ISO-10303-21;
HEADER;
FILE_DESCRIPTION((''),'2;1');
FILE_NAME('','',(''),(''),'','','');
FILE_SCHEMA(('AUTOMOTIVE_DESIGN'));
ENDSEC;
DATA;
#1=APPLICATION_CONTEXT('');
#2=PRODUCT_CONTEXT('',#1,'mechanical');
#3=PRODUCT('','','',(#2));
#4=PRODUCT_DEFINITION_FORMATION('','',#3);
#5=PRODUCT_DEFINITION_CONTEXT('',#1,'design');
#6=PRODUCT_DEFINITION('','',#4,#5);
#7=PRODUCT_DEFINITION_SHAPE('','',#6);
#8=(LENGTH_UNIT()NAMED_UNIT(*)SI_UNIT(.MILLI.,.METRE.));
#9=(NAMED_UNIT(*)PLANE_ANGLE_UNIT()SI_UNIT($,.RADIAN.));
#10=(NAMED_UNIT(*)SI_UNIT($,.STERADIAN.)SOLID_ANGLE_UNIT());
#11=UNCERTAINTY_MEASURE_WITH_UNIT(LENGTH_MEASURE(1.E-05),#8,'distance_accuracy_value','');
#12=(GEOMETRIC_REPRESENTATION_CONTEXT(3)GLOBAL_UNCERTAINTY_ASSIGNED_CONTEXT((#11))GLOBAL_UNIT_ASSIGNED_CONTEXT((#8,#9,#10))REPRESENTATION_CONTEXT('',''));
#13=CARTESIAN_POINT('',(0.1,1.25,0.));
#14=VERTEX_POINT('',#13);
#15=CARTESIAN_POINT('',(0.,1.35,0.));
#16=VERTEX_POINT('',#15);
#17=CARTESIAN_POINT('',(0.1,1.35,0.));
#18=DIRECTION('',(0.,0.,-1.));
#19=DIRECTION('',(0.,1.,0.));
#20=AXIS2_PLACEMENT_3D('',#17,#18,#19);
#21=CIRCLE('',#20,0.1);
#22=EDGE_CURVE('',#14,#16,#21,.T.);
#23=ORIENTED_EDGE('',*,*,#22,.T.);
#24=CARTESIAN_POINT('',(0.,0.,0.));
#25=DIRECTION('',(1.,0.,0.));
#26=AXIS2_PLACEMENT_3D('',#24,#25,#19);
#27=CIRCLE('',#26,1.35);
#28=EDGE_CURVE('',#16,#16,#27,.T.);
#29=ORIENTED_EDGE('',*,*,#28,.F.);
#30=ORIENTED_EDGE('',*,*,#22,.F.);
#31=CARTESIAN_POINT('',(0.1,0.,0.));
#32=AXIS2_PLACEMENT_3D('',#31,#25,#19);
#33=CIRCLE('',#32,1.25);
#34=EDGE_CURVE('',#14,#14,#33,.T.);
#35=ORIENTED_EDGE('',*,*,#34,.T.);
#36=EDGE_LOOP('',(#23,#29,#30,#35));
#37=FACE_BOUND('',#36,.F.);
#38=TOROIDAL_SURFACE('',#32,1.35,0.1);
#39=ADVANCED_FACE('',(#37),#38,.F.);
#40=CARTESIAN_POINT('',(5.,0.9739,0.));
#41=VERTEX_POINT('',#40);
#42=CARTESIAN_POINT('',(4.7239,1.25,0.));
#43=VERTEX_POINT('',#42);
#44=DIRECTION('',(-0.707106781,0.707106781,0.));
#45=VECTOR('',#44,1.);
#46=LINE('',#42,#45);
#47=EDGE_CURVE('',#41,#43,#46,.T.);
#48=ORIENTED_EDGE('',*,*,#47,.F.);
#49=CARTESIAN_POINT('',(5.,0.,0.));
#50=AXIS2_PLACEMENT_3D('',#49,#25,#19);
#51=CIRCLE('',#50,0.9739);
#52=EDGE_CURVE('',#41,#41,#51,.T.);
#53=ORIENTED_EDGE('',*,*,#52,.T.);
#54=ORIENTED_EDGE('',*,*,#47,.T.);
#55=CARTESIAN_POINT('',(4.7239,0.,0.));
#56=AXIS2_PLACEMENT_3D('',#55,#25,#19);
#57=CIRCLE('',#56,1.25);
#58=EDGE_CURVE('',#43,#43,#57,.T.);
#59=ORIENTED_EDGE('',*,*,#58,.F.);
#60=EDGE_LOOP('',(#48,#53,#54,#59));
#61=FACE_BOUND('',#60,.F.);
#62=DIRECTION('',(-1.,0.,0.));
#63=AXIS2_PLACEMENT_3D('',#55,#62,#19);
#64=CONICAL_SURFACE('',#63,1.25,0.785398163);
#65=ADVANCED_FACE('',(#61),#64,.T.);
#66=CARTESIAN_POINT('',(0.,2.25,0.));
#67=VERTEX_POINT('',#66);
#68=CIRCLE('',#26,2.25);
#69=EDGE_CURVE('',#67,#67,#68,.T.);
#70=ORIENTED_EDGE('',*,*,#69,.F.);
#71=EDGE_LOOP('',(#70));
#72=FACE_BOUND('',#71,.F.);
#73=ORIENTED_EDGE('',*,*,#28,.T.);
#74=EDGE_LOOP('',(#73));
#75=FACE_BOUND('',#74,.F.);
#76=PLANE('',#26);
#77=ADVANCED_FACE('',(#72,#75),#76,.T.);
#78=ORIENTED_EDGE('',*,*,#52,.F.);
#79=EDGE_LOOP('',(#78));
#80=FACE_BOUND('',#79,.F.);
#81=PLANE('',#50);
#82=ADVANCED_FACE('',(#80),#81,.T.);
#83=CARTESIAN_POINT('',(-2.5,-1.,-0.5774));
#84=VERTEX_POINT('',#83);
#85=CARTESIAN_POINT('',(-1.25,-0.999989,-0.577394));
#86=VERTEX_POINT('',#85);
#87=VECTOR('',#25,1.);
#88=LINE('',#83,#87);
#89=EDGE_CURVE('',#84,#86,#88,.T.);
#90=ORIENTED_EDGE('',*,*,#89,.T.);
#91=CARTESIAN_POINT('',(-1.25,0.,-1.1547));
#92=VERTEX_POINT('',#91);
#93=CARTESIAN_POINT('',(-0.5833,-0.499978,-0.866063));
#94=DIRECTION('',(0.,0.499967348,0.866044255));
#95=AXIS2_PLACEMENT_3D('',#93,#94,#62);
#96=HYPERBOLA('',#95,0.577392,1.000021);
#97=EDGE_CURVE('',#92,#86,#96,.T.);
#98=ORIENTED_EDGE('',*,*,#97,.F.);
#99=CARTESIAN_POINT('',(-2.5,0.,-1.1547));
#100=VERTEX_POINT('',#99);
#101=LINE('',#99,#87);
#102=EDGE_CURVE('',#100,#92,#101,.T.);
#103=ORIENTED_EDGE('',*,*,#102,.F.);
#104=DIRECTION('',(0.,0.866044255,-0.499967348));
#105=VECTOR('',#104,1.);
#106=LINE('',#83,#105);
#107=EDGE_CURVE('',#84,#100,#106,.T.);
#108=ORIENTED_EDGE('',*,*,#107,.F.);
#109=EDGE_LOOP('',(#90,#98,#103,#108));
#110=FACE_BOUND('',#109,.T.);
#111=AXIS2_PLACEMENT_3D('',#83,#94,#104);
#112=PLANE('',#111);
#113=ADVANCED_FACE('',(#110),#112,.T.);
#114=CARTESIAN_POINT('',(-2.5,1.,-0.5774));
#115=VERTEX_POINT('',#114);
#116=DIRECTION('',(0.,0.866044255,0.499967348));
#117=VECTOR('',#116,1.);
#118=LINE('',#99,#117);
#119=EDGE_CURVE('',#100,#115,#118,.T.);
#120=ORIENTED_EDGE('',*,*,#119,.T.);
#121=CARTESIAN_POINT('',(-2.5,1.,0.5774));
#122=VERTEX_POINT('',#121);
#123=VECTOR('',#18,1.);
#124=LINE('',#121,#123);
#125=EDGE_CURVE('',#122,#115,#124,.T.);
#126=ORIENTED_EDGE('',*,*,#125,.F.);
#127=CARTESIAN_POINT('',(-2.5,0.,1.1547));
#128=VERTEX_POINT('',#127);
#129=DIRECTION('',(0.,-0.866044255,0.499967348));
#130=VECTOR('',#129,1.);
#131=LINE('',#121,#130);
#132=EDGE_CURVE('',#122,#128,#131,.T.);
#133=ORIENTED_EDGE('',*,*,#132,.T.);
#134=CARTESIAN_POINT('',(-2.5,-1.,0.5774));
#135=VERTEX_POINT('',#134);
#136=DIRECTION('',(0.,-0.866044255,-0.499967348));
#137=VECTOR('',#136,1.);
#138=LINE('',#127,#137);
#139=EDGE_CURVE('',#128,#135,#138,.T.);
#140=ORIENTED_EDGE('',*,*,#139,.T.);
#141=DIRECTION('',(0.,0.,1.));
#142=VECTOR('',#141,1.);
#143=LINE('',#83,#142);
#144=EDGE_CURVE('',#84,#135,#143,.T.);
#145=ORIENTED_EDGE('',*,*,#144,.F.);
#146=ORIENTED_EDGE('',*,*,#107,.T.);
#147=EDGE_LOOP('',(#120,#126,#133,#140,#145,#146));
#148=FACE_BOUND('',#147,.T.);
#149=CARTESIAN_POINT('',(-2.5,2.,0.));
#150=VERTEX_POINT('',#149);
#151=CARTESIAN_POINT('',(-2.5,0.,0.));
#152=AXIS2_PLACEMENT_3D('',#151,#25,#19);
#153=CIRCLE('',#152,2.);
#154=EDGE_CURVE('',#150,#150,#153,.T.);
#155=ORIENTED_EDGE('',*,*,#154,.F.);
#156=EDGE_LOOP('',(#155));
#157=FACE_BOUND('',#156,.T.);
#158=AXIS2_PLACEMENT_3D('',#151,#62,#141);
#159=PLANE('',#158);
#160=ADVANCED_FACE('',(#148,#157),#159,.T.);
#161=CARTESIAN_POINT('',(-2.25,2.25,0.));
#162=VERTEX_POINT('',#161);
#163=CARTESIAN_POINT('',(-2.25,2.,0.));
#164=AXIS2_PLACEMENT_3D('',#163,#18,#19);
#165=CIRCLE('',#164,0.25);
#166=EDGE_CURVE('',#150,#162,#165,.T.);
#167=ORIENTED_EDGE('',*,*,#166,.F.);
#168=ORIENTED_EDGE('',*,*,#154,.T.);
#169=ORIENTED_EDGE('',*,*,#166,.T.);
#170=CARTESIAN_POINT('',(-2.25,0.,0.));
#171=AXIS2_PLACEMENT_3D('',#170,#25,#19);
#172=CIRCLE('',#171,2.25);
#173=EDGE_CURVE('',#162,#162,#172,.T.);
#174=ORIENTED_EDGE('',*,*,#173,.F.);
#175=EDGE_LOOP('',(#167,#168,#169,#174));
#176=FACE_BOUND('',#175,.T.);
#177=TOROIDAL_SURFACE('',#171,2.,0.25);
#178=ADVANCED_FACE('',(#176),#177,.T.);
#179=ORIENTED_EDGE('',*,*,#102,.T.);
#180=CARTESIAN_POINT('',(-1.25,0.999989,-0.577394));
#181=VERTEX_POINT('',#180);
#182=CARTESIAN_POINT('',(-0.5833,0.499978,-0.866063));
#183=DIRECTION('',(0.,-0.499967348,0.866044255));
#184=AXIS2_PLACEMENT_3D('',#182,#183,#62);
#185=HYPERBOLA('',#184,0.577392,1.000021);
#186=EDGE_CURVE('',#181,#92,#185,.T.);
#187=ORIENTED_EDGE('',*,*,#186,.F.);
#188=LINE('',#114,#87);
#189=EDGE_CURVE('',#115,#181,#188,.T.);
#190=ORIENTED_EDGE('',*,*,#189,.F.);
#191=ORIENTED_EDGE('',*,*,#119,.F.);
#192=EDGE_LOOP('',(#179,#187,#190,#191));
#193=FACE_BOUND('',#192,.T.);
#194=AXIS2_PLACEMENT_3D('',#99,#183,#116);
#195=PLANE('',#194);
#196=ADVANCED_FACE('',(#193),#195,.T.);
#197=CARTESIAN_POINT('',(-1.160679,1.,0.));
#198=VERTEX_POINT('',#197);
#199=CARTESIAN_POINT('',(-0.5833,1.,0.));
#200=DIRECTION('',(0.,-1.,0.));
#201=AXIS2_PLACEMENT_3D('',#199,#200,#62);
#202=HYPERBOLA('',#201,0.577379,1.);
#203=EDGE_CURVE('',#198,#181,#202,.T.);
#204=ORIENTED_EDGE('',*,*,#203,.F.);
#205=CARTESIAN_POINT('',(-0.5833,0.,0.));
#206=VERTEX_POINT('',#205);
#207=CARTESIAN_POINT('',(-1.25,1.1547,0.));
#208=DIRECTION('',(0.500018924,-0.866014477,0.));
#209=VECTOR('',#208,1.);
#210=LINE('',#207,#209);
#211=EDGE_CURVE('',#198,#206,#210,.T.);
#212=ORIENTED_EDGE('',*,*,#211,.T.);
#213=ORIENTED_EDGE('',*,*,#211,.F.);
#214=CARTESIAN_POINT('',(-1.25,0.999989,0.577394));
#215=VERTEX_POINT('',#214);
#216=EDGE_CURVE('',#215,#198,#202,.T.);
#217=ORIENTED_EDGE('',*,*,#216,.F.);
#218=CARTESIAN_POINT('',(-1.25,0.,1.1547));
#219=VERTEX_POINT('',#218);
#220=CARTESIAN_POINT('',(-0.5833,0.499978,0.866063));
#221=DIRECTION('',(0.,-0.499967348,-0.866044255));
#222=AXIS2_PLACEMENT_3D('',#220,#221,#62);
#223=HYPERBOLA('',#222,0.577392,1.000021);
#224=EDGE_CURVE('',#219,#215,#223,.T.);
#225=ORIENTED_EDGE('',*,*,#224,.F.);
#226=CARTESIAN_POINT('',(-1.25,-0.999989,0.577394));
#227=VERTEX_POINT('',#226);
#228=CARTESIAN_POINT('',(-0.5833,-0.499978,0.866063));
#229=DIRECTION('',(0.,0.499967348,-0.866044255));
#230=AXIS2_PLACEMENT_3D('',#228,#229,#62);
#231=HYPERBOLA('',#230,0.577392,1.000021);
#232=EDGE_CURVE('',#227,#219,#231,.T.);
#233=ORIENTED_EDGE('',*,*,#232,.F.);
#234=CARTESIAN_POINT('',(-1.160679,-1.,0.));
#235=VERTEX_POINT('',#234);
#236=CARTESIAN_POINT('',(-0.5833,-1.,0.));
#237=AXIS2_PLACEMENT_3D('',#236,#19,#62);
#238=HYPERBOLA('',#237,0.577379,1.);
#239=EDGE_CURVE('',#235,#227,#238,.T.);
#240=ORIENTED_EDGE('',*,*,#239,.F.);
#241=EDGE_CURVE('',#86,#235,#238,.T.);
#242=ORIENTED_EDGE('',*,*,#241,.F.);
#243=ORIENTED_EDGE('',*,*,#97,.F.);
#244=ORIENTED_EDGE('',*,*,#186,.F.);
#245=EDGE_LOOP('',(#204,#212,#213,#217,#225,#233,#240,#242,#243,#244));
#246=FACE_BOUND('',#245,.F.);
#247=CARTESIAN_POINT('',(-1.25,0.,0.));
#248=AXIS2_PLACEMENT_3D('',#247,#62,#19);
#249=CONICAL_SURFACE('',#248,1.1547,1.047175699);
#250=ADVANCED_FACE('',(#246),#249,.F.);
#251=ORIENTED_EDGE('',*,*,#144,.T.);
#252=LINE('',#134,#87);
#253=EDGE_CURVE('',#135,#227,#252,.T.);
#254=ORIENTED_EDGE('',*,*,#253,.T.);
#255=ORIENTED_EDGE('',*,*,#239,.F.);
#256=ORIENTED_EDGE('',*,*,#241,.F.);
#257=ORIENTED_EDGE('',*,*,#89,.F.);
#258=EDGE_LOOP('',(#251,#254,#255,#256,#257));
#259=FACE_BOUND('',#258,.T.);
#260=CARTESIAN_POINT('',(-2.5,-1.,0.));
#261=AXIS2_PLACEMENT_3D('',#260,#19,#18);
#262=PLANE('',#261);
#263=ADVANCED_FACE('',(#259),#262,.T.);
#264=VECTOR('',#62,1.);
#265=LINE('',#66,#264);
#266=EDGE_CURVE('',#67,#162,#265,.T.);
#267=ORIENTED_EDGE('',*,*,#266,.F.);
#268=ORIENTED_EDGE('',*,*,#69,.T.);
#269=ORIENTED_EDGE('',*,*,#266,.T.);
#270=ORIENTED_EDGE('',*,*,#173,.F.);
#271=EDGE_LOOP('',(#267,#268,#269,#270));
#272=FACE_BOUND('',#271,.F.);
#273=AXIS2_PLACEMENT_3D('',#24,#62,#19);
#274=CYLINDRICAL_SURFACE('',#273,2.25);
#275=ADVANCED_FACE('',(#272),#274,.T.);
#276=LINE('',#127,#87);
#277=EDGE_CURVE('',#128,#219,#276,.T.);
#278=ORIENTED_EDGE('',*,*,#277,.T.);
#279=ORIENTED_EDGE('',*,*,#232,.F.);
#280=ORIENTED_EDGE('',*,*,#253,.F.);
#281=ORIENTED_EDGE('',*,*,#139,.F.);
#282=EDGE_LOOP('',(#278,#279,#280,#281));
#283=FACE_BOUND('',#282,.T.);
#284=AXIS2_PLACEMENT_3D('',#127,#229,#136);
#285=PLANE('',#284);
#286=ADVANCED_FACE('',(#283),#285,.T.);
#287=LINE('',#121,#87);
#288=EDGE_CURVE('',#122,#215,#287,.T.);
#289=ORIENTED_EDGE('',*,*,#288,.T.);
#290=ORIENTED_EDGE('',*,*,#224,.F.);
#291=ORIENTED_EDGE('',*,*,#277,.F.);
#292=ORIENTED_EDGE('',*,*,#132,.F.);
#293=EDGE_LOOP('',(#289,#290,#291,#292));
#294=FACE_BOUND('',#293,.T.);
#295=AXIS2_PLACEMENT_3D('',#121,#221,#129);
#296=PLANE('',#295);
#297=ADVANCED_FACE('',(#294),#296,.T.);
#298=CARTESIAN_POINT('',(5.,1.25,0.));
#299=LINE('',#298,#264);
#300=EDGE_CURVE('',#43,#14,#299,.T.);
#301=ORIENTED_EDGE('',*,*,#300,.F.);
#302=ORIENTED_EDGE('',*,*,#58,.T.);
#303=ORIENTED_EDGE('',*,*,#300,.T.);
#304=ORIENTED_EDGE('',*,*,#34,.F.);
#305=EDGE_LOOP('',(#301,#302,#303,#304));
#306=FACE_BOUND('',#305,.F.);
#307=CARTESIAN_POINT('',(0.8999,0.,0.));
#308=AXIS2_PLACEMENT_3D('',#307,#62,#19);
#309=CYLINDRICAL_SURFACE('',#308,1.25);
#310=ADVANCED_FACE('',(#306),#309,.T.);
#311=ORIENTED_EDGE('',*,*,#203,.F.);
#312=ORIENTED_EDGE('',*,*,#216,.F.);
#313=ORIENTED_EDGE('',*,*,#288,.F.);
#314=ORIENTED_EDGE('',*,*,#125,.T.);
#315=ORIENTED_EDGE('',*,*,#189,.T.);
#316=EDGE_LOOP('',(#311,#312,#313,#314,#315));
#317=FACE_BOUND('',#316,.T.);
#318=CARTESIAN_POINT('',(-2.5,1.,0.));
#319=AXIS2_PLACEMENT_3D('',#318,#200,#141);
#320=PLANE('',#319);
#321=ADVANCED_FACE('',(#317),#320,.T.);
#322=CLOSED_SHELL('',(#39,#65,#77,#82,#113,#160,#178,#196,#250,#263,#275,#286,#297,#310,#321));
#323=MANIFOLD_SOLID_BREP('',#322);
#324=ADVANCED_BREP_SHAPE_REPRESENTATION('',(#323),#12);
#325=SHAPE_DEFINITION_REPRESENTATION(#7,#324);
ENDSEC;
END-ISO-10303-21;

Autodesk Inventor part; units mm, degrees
ref_plane "YZ Plane" through (0, 0, 0) normal (1, 0, 0) x (0, 1, 0)
ref_plane "XZ Plane" through (0, 0, 0) normal (0, 1, 0) x (-1, 0, 0)
sketch "Sketch1" plane through (0, 0, 0) normal (0, 0, 1) x (1, 0, 0)
  line L0 (-0.5833, 0) -> (5, 0)
  line L1 (5, 0) -> (5, 1.25)
  line L2 (5, 1.25) -> (1.1761, 1.25)
  line L3 (1.1761, 1.25) -> (0.8999, 1.25)
  line L4 (0.8999, 1.25) -> (0, 1.25)
  line L5 (0, 1.25) -> (0, 2.25)
  line L6 (0, 2.25) -> (-2.5, 2.25)
  line L7 (-2.5, 2.25) -> (-2.5, 1.1547)
  line L8 (-2.5, 1.1547) -> (-1.25, 1.1547)
  line L9 (-1.25, 1.1547) -> (-0.5833, 0)
  line L10 (-4, 0) -> (6.5, 0) projected
  line L11 (0, -0.45) -> (0, 2.7) projected
  line L12 (1.1761, 1.25) -> (0, 1.25) construction
  dimension "d1" = 3.8239
  dimension "d2" = 0.2762
  dimension "d3" = 2.5
  dimension "d4" = 1.25
  dimension "d5" = 60
  dimension "d6" = 2.5
  dimension "d7" = 2.5
  dimension "d8" = 2.3094
  dimension "d9" = 4.5
  dimension "d26" = 5
revolve "Body" add sketch "Sketch1" angle 360 about axis through (-0.5833, 0, 0) along (1, 0, 0)
sketch "Sketch2" plane through (-2.5, 0, 0) normal (-1, 0, 0) x (0, 0, 1)
  circle A0 centre (0, 0) radius 1.1547 projected
  line L0 (0, -3.15) -> (0, 3.15) projected
  line L1 (-3.15, 0) -> (3.15, 0) projected
  line L2 (1.1547, 0) -> (0.5774, -1)
  line L3 (0.5774, -1) -> (-0.5774, -1)
  line L4 (-0.5774, -1) -> (-1.1547, 0)
  line L5 (-1.1547, 0) -> (-0.5774, 1)
  line L6 (-0.5774, 1) -> (0.5774, 1)
  line L7 (0.5774, 1) -> (1.1547, 0)
extrude "Slot" add sketch "Sketch2" against normal up to next contours L7 A0 | A0 L2 | L6 L0 A0 | A0 L0 L3 | L0 L6 A0 | A0 L3 L0 | L4 A0 | A0 L5
fillet "Fillet1" radius 0.25 1 edges at (-2.5, -2.25, 0)
thread "Thread" size "M2.5x0.45" class "6g" standard "ISO Metric profile" length 3.8239
chamfer "Chamfer1" distance 0.2761 distance2 0.2761 1 edges at (5, -1.25, 0) measured on face at (5, -0.1825, -0.5629)
ref_plane "Work Plane1" through (29, 0, 0) normal (0, -1, 0) x (1, 0, 0)
fillet "Fillet2" radius 0.1 1 edges at (0, -1.25, 0)
equation "\"d30\" = R"
equation "\"d17\" = RR"
equation "\"d13\" = GEL"
equation "\"d15\" = -0.5 * SPD + 0.5 * GD"
equation "\"d16\" = GUL"
equation "\"d1\" = GEL"
equation "\"d3\" = KOH"
equation "\"d4\" = INTI"
equation "\"d6\" = GD"
equation "\"d7\" = BDM"
equation "\"d8\" = 1.1547 * SW"
equation "\"d9\" = KOD"
equation "\"d26\" = NLG"
equation "\"GD\" = NND"
equation "\"NLG\" = 5"
equation "\"GEL\" = 3.82395"
equation "\"KOD\" = 4.5"
equation "\"KOH\" = 2.5"
equation "\"INTI\" = 1.25"
equation "\"GAL\" = 0.61345 * PTC"
equation "\"GUL\" = 0.61345 * PTC"
equation "\"BDM\" = NND"
equation "\"SW\" = 2"
equation "\"RR\" = 0.25"
equation "\"SPD\" = 1.94789"
equation "\"R\" = 0.1"
equation "\"TOA\" = 30deg"
equation "\"THREADDIA\" = 2.5"
equation "\"PTC\" = 0.45"
equation "\"NND\" = 2.5"
equation "\"E0\" = 1.155 * SW"
equation "\"GD1\" = THREADDIA - 1.2269 * PTC"
properties part number "ANSI B18.3.1M - M2.5x0.45 x 5" material "Steel, Mild"
